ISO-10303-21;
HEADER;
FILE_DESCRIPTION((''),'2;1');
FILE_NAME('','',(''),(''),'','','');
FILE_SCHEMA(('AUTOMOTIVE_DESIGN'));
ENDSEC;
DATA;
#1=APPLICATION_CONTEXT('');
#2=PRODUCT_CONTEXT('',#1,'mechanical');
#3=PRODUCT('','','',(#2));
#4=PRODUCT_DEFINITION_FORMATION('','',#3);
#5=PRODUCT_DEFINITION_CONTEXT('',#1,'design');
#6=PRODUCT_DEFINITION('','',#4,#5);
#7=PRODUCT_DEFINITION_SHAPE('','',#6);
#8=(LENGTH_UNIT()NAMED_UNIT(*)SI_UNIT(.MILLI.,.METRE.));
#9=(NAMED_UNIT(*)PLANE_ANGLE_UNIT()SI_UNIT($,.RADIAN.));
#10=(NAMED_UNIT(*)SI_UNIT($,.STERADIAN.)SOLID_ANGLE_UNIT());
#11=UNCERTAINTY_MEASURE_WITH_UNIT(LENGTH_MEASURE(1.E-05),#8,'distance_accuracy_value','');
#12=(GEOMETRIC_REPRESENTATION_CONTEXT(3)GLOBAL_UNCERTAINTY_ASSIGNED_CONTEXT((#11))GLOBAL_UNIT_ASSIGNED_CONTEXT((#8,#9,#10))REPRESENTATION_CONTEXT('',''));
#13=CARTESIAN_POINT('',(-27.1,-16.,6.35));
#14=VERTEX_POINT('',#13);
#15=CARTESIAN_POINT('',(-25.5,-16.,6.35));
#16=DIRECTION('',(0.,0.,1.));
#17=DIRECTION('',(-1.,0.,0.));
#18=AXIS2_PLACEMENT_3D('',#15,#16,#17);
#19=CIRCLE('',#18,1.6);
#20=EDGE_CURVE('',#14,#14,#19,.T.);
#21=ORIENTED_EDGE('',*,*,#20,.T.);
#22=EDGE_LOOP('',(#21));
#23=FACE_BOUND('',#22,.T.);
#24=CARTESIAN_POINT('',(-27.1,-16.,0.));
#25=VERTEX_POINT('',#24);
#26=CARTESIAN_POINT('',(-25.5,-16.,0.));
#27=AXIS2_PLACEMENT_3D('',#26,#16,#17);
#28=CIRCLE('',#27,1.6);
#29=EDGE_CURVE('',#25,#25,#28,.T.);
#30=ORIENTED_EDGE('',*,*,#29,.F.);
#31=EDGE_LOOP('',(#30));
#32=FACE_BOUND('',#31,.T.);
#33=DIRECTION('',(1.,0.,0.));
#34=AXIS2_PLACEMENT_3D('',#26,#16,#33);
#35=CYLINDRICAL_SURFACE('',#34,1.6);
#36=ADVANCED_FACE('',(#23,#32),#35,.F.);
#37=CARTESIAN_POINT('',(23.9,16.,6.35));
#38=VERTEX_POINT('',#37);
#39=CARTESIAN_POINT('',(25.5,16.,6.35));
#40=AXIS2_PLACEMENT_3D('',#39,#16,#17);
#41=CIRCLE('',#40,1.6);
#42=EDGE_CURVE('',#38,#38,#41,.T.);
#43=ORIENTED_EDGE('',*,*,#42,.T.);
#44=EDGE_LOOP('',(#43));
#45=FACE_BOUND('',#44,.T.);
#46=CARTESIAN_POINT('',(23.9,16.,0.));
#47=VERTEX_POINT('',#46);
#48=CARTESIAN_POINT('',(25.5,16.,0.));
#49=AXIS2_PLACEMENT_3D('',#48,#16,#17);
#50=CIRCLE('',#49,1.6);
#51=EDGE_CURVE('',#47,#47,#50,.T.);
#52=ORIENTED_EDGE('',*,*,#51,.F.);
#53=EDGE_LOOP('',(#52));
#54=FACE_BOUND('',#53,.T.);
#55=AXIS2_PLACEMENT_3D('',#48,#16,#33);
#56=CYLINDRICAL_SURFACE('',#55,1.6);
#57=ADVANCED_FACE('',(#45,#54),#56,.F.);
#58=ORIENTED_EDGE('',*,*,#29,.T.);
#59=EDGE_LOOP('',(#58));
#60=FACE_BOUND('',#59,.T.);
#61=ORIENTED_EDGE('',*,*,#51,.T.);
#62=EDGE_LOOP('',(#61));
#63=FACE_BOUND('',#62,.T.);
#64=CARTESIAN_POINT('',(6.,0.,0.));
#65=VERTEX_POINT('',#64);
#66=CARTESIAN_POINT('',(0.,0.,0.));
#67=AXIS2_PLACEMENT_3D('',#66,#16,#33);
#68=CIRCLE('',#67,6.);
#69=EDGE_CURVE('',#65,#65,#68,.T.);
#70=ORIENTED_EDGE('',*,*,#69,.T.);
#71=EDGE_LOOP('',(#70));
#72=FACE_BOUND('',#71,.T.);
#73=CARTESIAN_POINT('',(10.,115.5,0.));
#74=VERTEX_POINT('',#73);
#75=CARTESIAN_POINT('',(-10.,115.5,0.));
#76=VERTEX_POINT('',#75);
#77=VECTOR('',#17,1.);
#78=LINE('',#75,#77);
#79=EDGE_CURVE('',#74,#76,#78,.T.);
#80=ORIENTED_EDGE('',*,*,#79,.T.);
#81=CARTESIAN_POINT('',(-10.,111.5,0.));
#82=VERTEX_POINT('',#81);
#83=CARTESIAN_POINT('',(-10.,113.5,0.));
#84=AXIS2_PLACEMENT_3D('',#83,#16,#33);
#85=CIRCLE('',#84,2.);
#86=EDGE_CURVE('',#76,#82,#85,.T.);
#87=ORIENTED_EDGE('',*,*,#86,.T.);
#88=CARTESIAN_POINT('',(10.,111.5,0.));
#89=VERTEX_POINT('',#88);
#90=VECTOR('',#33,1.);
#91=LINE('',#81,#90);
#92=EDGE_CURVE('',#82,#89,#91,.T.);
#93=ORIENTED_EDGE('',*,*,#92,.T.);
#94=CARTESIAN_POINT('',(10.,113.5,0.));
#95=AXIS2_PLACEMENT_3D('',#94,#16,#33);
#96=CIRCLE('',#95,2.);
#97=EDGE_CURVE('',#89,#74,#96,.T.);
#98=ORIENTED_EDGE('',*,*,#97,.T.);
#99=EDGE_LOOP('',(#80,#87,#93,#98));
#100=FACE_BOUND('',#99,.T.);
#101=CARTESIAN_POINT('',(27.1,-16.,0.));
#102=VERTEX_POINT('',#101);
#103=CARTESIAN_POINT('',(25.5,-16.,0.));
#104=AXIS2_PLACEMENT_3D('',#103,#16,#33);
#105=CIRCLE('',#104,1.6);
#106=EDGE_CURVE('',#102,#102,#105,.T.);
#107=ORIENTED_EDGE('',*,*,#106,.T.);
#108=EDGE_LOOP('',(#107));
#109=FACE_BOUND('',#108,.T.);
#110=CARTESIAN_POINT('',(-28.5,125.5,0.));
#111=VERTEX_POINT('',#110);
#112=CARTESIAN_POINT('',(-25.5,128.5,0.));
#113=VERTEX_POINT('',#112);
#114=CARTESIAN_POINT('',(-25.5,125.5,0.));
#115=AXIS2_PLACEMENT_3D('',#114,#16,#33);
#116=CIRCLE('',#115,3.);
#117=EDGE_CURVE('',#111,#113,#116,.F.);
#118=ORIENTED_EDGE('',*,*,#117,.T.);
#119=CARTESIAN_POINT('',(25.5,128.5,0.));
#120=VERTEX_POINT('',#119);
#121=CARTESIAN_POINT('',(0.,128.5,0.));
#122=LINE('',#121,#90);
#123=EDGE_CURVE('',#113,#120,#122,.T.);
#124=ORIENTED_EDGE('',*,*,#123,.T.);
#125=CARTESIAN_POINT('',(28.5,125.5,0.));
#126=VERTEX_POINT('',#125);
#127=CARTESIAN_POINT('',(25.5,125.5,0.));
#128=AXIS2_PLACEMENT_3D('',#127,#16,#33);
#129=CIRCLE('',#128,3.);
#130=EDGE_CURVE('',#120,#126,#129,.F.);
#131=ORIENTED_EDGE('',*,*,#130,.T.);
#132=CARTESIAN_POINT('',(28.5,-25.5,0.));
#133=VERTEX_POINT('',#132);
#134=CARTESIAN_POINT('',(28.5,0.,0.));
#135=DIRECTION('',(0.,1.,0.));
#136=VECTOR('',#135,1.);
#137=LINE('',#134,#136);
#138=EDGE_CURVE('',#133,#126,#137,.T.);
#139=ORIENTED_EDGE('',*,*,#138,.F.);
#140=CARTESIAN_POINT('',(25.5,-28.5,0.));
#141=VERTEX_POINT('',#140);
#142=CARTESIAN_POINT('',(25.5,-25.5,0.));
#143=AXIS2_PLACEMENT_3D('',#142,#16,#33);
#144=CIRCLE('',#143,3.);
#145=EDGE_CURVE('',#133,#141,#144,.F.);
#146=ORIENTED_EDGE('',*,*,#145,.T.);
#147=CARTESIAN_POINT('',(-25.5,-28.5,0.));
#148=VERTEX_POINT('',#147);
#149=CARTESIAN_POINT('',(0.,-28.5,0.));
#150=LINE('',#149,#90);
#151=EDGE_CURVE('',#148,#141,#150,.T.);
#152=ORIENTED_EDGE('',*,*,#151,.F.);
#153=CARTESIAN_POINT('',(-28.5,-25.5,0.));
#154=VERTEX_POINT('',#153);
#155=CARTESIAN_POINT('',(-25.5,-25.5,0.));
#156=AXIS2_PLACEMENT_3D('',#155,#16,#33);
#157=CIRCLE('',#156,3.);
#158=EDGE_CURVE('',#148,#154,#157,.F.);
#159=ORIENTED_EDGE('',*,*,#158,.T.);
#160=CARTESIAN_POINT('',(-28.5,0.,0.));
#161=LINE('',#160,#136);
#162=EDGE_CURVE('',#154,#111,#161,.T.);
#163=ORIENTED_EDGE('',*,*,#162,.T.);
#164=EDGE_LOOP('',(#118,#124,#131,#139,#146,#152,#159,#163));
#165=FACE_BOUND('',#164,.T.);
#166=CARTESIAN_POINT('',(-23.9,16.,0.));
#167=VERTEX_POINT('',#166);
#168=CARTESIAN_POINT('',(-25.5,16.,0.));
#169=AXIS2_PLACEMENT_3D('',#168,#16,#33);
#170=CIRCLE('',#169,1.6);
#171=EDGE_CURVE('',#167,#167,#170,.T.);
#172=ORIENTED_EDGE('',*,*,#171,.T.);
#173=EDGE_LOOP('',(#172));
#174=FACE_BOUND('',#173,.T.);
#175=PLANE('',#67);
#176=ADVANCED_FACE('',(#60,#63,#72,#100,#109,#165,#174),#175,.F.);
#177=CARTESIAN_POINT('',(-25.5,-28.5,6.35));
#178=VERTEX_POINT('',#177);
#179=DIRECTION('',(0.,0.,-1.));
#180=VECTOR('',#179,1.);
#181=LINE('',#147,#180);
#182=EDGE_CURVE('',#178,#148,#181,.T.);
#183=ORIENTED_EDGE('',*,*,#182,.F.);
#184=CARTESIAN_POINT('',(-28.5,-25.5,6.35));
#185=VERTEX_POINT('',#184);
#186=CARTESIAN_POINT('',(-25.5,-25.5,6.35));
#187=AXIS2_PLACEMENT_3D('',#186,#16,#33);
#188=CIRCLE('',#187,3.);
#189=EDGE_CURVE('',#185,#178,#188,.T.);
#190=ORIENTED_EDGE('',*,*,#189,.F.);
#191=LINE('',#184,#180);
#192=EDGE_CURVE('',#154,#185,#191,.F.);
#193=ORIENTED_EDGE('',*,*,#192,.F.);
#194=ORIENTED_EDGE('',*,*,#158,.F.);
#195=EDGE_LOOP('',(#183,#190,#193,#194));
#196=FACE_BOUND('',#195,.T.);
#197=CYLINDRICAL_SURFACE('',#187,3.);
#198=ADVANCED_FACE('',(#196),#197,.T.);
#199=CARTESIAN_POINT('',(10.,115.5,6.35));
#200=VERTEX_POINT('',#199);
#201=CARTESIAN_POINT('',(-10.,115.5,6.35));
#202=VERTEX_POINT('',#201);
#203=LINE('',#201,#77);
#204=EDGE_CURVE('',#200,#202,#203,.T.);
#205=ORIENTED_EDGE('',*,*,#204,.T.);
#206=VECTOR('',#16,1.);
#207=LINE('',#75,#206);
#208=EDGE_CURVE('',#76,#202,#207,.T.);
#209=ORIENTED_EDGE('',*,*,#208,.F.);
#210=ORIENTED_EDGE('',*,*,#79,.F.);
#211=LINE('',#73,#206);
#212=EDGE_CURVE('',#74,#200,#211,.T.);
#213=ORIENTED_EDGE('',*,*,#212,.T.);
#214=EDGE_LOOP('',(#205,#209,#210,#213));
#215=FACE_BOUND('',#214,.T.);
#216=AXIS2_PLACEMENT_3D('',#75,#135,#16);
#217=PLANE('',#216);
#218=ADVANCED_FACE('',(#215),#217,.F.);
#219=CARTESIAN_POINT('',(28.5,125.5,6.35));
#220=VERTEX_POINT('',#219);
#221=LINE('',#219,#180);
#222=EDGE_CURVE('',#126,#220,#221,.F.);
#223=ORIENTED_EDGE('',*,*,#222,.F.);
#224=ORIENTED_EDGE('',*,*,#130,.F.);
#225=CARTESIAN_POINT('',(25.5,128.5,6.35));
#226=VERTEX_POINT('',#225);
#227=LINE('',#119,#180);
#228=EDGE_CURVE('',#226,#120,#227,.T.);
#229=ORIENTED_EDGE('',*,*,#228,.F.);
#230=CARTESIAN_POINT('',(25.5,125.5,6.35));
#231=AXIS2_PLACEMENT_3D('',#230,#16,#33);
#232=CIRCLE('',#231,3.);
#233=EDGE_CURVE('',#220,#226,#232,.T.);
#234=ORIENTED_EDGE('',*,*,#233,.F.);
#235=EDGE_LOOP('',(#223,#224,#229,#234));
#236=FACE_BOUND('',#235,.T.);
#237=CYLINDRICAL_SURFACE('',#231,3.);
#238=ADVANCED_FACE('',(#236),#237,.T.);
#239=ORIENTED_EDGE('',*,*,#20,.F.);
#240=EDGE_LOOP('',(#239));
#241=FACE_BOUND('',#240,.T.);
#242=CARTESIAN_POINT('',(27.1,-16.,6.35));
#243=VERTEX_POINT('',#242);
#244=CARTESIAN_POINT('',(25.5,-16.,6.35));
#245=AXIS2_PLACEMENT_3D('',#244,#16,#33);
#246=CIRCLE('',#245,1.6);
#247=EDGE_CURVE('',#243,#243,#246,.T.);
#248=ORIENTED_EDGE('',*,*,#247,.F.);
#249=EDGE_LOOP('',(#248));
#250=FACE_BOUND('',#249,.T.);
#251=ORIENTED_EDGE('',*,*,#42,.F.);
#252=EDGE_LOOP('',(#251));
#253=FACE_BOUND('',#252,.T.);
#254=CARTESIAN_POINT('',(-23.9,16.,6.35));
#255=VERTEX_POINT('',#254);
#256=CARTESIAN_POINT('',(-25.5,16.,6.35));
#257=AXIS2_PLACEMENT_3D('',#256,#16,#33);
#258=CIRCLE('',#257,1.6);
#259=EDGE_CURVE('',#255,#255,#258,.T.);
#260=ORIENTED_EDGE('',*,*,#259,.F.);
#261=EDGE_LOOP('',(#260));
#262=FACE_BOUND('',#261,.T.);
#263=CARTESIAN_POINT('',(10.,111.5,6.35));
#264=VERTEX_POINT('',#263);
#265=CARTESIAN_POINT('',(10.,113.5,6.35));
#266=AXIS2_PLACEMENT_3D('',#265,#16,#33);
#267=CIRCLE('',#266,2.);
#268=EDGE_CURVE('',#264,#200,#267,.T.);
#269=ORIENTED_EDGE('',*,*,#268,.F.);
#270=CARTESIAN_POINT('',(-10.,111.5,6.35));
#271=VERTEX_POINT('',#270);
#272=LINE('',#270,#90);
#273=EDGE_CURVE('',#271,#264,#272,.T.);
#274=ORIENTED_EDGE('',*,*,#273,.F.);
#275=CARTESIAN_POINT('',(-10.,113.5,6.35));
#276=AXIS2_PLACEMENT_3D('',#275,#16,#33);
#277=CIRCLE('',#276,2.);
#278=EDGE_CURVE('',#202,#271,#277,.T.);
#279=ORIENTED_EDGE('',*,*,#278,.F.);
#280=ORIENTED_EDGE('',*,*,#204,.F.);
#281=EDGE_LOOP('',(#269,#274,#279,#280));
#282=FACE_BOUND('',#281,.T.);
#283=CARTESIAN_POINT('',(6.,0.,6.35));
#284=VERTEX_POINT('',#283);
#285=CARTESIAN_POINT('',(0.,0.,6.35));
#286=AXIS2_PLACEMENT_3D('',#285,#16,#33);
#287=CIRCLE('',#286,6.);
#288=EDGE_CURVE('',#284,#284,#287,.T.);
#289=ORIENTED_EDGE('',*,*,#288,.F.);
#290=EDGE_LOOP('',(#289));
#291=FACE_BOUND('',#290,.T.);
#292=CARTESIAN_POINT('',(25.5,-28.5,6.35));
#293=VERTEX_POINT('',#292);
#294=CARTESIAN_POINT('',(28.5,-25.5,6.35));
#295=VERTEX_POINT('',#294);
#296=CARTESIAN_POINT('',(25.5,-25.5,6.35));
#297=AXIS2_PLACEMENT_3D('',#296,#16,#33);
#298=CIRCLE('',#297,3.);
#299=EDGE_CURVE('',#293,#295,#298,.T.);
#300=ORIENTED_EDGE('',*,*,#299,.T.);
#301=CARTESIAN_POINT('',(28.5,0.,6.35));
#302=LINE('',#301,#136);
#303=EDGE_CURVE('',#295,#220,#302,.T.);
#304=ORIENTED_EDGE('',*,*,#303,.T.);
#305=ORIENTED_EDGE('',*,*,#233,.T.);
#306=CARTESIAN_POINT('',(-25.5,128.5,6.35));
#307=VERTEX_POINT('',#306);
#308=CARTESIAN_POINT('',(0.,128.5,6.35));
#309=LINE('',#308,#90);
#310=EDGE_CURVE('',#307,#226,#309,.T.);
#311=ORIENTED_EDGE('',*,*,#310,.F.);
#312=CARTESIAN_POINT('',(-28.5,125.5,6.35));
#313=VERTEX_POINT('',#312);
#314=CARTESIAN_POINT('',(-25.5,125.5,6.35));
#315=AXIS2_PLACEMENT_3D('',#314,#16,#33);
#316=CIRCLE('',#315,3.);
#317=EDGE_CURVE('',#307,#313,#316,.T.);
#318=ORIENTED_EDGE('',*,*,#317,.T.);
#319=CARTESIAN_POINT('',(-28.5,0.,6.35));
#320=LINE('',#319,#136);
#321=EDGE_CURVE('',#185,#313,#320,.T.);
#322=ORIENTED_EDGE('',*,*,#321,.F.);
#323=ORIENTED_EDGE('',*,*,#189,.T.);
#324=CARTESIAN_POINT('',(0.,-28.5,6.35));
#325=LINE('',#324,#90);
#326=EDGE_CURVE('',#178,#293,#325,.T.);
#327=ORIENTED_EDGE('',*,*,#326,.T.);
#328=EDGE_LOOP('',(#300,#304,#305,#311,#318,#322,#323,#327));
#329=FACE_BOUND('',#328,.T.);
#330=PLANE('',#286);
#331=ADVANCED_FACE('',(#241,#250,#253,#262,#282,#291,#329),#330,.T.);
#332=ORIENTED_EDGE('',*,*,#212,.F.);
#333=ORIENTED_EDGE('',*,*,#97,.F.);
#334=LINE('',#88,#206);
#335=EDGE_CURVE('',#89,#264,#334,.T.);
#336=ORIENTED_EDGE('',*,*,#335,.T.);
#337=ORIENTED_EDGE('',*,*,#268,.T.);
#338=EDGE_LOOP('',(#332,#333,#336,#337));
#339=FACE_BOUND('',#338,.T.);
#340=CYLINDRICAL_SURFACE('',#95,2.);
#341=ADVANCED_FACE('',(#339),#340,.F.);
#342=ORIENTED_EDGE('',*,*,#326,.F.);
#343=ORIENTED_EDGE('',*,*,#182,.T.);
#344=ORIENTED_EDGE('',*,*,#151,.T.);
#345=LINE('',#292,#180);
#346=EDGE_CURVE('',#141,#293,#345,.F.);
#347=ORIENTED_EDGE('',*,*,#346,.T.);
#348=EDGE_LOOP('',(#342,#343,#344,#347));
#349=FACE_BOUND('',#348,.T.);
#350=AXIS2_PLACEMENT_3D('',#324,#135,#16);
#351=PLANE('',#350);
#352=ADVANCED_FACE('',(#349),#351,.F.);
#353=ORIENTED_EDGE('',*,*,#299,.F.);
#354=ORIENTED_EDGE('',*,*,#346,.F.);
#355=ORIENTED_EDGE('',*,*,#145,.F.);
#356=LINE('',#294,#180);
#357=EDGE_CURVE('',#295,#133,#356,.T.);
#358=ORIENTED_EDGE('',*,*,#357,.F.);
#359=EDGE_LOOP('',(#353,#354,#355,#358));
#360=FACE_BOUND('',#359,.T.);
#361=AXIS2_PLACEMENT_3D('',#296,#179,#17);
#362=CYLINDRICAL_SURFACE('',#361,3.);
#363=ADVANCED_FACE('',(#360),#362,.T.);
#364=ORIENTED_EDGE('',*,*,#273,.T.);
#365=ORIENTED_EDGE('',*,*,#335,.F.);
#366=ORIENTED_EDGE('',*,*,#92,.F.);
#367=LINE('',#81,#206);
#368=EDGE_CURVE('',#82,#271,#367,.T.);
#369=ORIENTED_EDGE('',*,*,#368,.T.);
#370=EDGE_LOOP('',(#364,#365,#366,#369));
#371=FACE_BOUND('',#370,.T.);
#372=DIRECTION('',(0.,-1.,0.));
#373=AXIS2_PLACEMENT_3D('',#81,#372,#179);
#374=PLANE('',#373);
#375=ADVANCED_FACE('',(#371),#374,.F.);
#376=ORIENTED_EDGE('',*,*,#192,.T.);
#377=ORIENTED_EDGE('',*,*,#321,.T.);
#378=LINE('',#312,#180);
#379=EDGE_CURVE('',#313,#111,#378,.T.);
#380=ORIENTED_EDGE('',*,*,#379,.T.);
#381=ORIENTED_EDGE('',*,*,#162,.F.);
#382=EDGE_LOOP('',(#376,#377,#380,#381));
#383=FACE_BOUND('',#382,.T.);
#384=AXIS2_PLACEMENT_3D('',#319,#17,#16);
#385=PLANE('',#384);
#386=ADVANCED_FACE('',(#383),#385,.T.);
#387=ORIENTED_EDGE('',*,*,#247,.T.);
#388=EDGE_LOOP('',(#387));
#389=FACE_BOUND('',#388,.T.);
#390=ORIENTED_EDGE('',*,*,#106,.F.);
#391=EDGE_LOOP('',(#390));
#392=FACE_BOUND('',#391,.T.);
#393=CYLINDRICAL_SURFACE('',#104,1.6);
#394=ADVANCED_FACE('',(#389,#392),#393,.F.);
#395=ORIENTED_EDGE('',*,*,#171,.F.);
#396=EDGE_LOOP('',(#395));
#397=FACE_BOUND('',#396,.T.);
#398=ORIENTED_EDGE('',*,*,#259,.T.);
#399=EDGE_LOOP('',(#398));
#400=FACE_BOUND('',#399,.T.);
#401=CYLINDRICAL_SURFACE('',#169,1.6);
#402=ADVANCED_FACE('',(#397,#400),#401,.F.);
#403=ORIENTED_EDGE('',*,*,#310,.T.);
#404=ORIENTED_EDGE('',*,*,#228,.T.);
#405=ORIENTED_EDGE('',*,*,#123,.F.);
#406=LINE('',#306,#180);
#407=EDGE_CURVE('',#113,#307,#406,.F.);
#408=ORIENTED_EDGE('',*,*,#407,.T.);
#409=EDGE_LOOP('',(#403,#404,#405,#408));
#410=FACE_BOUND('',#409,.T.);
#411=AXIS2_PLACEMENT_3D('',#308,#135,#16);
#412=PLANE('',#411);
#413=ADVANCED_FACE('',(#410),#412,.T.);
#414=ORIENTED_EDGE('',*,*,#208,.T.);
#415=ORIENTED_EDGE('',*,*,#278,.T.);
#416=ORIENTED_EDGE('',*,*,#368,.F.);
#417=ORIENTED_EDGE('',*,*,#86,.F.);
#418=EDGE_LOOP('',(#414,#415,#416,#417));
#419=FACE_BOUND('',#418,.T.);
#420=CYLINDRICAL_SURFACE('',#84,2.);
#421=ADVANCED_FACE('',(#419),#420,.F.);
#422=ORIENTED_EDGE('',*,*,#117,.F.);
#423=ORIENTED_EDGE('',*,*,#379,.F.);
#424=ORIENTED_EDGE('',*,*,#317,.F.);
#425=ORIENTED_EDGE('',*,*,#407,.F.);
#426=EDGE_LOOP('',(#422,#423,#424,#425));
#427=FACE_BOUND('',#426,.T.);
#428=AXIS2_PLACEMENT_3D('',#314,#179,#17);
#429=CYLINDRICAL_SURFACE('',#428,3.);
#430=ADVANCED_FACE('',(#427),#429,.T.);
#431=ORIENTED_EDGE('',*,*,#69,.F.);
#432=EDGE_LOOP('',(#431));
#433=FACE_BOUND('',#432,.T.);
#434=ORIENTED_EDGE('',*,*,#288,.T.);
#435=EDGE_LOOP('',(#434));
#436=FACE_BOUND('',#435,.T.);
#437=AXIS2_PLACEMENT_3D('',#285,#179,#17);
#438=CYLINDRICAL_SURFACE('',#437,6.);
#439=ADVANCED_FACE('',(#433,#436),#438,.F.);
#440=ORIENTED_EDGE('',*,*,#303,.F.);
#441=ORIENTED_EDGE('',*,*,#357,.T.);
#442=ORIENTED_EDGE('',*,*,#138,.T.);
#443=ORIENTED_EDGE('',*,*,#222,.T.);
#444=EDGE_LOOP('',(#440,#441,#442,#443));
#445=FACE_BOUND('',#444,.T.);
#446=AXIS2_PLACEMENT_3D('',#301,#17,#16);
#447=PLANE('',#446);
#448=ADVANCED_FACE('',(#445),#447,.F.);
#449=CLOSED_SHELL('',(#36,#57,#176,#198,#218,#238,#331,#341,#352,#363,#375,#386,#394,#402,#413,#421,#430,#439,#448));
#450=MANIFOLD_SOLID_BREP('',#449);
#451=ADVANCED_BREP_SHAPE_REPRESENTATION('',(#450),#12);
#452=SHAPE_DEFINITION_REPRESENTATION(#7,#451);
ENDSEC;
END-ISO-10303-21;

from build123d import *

# Parameters (mm, degrees)
SKETCH1_W           = 57
SKETCH1_H           = 100
SKETCH1_H_2         = 57
SKETCH1_R           = 6
BOSS_EXTRUDE1_DEPTH = 6.35
CUT_EXTRUDE2_DEPTH  = 132.775652152
FILLET1_R           = 3
SKETCH4_R           = 1.6
CUT_EXTRUDE3_DEPTH  = 132.775652152


with BuildPart() as part:
    # Sketch1 → Boss-Extrude1 (new body)
    # profile 1 of 2: a face of its own
    with BuildSketch(Plane.XY):
        with Locations((0, 78.5)):
            Rectangle(SKETCH1_W, SKETCH1_H)
    # profile 2 of 2: a face of its own
    with BuildSketch(Plane.XY):
        Rectangle(SKETCH1_W, SKETCH1_H_2)
        Circle(SKETCH1_R, mode=Mode.SUBTRACT)
    extrude(amount=BOSS_EXTRUDE1_DEPTH)

    # Sketch3 → Cut-Extrude2 (cut, through all)
    with BuildSketch(Plane.XY.offset(6.35)):
        with BuildLine():
            Line((-10, 115.5), (10, 115.5))
            ThreePointArc((10, 115.5), (12, 113.5), (10, 111.5))
            Line((10, 111.5), (-10, 111.5))
            ThreePointArc((-10, 111.5), (-12, 113.5), (-10, 115.5))
        make_face()
    extrude(amount=-CUT_EXTRUDE2_DEPTH, mode=Mode.SUBTRACT)

    # Fillet1
    fillet1_edges = [part.edges().sort_by_distance(p)[0] for p in [
        (-28.5, 128.5, 3.175),
        (28.5, 128.5, 3.175),
        (28.5, -28.5, 3.175),
        (-28.5, -28.5, 3.175),
    ]]
    fillet(fillet1_edges, radius=FILLET1_R)

    # Sketch4 → Cut-Extrude3 (cut, through all)
    with BuildSketch(Plane.XY.offset(6.35)):
        with Locations((25.5, -16)):
            Circle(SKETCH4_R)
        with Locations(Location((-25.5, -16, 0), (0, 0, 180))):
            Circle(SKETCH4_R)
        with Locations(Location((25.5, 16, 0), (0, 0, 180))):
            Circle(SKETCH4_R)
        with Locations((-25.5, 16)):
            Circle(SKETCH4_R)
    extrude(amount=-CUT_EXTRUDE3_DEPTH, mode=Mode.SUBTRACT)


solid = part.part
